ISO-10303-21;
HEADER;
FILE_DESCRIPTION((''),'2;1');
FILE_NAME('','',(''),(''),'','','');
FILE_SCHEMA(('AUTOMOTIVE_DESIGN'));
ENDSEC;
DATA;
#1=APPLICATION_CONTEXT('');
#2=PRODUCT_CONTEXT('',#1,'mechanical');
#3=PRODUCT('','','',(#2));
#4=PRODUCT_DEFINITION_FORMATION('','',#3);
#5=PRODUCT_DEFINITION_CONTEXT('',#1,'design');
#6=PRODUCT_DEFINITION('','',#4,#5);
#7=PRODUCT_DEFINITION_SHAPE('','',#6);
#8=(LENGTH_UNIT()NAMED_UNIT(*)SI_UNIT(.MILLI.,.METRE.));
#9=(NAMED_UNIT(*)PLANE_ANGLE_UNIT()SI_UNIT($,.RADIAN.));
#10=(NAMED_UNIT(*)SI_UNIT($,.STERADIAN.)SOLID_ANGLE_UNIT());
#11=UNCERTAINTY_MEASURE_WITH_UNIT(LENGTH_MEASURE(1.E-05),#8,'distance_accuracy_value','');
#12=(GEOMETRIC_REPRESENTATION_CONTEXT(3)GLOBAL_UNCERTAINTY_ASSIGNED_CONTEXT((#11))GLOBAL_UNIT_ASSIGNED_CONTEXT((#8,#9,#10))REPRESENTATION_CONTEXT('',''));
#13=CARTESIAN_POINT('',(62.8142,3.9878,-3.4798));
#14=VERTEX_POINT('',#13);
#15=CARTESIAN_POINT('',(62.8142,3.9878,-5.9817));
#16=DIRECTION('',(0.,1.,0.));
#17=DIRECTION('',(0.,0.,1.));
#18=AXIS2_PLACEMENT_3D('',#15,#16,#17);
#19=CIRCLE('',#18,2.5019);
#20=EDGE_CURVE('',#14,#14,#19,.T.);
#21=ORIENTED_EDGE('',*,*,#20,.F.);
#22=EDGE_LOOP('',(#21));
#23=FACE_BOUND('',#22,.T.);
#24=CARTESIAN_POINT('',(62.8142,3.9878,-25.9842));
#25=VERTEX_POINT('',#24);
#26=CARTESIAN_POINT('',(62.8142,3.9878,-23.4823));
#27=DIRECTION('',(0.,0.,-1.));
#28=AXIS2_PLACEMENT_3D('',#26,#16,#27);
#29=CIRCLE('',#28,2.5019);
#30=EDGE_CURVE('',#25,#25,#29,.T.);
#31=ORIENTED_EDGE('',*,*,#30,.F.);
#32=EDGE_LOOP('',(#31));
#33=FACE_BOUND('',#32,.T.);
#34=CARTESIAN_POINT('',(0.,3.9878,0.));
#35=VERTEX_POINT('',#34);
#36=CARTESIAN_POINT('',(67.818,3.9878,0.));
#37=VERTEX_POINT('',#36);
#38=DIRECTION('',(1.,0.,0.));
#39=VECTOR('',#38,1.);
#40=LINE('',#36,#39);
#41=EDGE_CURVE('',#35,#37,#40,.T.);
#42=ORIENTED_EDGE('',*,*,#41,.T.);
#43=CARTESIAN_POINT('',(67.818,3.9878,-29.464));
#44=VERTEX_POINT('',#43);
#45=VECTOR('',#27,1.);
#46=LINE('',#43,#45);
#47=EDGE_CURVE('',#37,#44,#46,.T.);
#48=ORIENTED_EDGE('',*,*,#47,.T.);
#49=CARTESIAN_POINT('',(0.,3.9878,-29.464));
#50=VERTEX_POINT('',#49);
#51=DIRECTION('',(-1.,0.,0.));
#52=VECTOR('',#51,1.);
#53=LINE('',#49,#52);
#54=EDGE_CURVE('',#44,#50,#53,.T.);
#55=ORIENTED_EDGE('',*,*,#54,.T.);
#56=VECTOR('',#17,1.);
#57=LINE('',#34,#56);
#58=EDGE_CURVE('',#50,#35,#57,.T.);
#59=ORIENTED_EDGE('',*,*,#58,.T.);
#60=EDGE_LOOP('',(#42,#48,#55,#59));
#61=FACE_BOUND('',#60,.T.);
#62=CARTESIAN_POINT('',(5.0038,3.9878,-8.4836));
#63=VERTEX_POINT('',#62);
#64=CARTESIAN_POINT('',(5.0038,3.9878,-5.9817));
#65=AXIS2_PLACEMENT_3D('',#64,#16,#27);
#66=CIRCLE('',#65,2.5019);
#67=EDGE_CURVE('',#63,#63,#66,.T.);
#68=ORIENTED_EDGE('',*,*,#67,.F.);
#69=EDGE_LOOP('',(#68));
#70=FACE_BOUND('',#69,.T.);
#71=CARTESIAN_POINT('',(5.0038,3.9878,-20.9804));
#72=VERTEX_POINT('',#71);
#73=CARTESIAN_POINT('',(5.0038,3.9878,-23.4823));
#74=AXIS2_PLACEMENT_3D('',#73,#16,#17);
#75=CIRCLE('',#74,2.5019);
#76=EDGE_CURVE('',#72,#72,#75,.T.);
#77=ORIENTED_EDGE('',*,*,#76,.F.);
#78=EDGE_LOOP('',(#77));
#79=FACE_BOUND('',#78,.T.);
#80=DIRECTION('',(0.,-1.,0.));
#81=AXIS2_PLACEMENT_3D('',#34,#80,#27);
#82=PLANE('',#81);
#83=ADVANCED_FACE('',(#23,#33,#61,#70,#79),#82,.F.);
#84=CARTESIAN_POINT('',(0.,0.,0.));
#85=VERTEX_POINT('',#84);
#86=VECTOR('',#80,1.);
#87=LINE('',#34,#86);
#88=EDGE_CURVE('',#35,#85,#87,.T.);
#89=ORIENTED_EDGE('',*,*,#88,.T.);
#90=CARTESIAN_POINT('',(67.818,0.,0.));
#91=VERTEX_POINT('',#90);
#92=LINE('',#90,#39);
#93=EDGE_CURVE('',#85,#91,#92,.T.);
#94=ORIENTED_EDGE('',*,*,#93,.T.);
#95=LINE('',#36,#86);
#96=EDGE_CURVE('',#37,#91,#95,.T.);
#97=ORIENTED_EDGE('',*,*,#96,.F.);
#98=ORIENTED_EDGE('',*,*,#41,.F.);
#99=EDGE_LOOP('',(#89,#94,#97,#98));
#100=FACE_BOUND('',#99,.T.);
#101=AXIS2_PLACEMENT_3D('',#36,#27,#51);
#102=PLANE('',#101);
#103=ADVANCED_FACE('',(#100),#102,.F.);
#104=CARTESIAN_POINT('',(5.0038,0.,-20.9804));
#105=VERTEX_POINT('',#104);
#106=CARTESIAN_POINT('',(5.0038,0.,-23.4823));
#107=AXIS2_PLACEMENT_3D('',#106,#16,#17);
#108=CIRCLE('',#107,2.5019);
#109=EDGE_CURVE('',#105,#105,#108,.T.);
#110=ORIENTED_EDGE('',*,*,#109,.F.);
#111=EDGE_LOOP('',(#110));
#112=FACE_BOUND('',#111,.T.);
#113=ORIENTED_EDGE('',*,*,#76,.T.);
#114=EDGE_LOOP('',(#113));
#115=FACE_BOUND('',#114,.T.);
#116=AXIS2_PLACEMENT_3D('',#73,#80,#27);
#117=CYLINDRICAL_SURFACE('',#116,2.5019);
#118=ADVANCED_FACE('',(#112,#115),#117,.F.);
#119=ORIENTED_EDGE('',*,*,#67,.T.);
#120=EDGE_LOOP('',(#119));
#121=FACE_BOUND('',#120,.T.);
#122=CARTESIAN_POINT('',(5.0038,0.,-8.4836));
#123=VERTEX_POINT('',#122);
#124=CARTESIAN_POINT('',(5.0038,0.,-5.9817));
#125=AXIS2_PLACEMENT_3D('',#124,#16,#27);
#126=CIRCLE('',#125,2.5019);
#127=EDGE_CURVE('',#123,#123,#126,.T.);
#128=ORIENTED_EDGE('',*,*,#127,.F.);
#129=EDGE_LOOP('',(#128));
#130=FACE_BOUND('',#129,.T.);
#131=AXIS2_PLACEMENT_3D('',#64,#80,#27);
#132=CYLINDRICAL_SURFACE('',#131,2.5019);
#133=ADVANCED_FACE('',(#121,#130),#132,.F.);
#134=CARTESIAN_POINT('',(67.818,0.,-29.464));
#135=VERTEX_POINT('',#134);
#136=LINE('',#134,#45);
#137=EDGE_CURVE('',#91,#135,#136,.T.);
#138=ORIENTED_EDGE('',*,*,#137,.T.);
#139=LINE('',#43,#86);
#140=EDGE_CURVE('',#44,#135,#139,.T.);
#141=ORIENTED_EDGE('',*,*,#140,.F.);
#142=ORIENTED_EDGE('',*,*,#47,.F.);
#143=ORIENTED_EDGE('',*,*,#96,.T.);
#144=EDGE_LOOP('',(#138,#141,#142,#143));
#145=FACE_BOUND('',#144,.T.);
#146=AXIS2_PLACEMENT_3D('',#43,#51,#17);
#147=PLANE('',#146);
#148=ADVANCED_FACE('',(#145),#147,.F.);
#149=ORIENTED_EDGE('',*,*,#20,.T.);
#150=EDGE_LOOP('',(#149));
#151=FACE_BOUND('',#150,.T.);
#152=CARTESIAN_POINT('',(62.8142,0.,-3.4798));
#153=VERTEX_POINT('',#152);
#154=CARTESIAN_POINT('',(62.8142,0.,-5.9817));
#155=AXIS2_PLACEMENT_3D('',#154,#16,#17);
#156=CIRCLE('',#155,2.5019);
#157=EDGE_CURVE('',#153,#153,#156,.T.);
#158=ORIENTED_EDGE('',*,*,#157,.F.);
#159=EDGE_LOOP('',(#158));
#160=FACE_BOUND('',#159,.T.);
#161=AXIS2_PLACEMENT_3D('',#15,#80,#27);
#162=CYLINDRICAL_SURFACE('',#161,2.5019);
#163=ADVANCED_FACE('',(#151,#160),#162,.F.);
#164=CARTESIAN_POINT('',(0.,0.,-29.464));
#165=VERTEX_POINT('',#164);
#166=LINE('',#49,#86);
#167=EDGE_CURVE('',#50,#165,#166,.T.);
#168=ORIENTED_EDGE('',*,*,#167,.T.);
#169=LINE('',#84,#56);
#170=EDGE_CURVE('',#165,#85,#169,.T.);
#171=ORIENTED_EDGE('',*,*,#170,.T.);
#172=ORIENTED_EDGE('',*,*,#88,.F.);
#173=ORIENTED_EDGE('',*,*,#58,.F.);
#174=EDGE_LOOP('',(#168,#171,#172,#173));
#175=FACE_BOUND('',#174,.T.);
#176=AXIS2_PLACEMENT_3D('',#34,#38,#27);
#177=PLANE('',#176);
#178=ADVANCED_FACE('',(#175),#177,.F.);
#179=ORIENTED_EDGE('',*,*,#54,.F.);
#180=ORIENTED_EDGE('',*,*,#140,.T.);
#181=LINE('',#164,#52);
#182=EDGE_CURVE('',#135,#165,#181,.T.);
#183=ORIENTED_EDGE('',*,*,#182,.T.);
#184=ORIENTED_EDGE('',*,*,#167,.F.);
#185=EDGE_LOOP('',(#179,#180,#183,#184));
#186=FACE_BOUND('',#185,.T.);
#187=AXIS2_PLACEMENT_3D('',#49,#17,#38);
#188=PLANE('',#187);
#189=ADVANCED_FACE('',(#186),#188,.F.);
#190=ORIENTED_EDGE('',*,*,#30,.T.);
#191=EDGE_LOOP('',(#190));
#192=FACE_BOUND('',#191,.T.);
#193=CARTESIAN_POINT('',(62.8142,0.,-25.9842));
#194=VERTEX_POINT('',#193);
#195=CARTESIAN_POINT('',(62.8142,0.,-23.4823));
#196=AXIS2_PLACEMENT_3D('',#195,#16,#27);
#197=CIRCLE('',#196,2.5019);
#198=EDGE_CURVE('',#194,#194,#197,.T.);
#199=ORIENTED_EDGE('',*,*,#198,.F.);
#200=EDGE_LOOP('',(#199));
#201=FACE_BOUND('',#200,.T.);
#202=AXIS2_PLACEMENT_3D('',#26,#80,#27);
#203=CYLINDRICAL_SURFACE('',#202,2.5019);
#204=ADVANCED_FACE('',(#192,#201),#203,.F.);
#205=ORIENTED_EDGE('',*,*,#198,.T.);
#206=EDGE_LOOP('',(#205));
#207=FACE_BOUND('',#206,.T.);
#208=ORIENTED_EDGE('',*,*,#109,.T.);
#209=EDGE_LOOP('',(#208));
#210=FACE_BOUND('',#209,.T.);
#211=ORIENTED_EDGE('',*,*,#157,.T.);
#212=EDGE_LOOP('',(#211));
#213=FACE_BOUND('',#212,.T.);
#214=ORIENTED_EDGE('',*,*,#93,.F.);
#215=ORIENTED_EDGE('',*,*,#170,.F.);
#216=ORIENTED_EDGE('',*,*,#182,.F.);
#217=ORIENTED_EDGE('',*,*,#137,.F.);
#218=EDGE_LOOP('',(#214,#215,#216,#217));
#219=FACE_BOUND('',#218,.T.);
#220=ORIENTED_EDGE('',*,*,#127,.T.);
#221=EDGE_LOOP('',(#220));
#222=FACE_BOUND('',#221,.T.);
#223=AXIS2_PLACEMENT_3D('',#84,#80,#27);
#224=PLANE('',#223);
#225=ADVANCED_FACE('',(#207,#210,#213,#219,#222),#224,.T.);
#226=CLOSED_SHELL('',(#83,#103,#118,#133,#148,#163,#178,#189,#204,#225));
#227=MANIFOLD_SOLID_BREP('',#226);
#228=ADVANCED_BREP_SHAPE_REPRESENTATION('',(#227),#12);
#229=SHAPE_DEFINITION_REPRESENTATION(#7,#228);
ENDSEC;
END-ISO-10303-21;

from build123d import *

# Parameters (mm, degrees)
SKETCH1_W           = 67.818
SKETCH1_H           = 29.464
SKETCH1_R           = 2.5019
BOSS_EXTRUDE1_DEPTH = 3.9878


with BuildPart() as part:
    # Sketch1 → Boss-Extrude1 (new body)
    with BuildSketch(Plane(origin=(0, 0, 0), x_dir=(1, 0, 0), z_dir=(0, 1, 0))):
        with Locations((33.909, 14.732)):
            Rectangle(SKETCH1_W, SKETCH1_H)
        with Locations(Location((5.0038, 23.4823, 0), (0, 0, 270))):
            Circle(SKETCH1_R, mode=Mode.SUBTRACT)
        with Locations(Location((62.8142, 23.4823, 0), (0, 0, 90))):
            Circle(SKETCH1_R, mode=Mode.SUBTRACT)
        with Locations(Location((62.8142, 5.9817, 0), (0, 0, 270))):
            Circle(SKETCH1_R, mode=Mode.SUBTRACT)
        with Locations(Location((5.0038, 5.9817, 0), (0, 0, 90))):
            Circle(SKETCH1_R, mode=Mode.SUBTRACT)
    extrude(amount=BOSS_EXTRUDE1_DEPTH)


solid = part.part
